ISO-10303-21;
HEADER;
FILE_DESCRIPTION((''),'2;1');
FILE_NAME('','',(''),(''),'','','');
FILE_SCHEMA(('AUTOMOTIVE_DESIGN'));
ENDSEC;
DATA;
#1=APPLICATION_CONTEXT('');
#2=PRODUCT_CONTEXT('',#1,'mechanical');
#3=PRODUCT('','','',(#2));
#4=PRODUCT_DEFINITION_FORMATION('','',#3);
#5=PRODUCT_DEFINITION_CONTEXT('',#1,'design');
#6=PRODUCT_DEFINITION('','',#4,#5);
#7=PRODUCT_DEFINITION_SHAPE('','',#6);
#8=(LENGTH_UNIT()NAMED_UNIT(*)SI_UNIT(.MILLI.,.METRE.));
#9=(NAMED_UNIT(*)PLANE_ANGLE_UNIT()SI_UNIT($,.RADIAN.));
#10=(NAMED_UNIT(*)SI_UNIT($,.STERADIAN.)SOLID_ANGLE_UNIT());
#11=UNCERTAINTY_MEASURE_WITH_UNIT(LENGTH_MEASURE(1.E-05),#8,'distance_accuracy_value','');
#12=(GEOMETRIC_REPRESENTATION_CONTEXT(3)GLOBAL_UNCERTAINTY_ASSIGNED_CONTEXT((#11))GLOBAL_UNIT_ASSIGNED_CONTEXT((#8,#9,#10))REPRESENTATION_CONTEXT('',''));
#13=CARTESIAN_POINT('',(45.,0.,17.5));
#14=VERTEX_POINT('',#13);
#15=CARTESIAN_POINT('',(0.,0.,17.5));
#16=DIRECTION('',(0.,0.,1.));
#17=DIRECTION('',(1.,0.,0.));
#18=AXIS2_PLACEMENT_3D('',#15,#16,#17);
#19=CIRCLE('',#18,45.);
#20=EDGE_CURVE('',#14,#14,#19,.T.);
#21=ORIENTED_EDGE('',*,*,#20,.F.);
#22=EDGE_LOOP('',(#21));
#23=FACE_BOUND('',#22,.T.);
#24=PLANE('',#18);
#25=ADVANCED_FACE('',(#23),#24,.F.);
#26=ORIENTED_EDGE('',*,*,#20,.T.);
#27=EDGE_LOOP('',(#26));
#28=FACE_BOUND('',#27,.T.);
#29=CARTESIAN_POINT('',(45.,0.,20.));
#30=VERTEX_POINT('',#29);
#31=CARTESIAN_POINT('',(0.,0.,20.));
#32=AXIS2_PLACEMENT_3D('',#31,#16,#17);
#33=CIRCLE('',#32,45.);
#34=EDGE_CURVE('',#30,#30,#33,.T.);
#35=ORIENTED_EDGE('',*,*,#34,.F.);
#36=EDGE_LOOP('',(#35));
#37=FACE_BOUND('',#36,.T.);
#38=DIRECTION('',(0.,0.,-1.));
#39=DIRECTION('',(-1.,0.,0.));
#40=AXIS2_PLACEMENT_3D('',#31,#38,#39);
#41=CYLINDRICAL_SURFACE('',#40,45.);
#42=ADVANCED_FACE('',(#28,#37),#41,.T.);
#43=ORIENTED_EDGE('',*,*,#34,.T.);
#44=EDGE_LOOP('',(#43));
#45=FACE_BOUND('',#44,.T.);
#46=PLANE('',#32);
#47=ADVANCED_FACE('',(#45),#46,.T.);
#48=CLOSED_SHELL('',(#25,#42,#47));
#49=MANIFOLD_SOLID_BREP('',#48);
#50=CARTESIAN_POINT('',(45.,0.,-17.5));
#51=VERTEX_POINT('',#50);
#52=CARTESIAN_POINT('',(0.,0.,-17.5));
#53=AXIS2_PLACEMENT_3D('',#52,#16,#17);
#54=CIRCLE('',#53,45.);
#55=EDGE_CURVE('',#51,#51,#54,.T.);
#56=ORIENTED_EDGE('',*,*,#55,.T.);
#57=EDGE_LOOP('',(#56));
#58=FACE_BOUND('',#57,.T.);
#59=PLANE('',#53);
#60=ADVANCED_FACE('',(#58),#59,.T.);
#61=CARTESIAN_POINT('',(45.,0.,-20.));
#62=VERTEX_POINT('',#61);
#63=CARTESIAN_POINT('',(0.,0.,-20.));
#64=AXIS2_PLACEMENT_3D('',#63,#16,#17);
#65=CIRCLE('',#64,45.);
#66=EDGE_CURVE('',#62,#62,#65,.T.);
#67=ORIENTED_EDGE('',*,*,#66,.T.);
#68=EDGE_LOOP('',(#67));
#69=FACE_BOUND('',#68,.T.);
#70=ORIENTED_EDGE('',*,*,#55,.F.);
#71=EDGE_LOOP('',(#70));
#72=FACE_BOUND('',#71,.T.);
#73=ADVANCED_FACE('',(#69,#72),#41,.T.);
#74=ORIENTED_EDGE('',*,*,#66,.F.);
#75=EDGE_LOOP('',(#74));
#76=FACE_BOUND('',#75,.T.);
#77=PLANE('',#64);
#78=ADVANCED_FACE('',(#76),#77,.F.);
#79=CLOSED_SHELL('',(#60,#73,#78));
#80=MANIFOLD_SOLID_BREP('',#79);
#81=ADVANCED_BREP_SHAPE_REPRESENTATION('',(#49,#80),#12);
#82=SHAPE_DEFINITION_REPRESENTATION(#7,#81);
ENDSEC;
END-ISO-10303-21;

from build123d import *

# Parameters (mm, degrees)
SKETCH1_R           = 45
BOSS_EXTRUDE1_DEPTH = 20
SKETCH1_2_R         = 45
CUT_EXTRUDE1_DEPTH  = 17.5


with BuildPart() as part:
    # Sketch1 → Boss-Extrude1 (new, symmetric)
    with BuildSketch(Plane.XY):
        Circle(SKETCH1_R)
    extrude(amount=BOSS_EXTRUDE1_DEPTH, both=True)

    # Sketch1<2> → Cut-Extrude1 (cut, symmetric)
    with BuildSketch(Plane.XY):
        Circle(SKETCH1_2_R)
    extrude(amount=CUT_EXTRUDE1_DEPTH, both=True, mode=Mode.SUBTRACT)


with BuildPart() as cut_extrude1_piece_1:
    # of the separate pieces the step leaves, piece 1, a body of its own (cut_extrude1_pieces)
    add(part.part.solids().sort_by_distance((45, 0, -20))[0])


with BuildPart() as cut_extrude1_piece_2:
    # of the separate pieces the step leaves, piece 2, a body of its own (cut_extrude1_pieces)
    add(part.part.solids().sort_by_distance((45, 0, 17.5))[0])


solid = Compound([cut_extrude1_piece_1.part, cut_extrude1_piece_2.part])
